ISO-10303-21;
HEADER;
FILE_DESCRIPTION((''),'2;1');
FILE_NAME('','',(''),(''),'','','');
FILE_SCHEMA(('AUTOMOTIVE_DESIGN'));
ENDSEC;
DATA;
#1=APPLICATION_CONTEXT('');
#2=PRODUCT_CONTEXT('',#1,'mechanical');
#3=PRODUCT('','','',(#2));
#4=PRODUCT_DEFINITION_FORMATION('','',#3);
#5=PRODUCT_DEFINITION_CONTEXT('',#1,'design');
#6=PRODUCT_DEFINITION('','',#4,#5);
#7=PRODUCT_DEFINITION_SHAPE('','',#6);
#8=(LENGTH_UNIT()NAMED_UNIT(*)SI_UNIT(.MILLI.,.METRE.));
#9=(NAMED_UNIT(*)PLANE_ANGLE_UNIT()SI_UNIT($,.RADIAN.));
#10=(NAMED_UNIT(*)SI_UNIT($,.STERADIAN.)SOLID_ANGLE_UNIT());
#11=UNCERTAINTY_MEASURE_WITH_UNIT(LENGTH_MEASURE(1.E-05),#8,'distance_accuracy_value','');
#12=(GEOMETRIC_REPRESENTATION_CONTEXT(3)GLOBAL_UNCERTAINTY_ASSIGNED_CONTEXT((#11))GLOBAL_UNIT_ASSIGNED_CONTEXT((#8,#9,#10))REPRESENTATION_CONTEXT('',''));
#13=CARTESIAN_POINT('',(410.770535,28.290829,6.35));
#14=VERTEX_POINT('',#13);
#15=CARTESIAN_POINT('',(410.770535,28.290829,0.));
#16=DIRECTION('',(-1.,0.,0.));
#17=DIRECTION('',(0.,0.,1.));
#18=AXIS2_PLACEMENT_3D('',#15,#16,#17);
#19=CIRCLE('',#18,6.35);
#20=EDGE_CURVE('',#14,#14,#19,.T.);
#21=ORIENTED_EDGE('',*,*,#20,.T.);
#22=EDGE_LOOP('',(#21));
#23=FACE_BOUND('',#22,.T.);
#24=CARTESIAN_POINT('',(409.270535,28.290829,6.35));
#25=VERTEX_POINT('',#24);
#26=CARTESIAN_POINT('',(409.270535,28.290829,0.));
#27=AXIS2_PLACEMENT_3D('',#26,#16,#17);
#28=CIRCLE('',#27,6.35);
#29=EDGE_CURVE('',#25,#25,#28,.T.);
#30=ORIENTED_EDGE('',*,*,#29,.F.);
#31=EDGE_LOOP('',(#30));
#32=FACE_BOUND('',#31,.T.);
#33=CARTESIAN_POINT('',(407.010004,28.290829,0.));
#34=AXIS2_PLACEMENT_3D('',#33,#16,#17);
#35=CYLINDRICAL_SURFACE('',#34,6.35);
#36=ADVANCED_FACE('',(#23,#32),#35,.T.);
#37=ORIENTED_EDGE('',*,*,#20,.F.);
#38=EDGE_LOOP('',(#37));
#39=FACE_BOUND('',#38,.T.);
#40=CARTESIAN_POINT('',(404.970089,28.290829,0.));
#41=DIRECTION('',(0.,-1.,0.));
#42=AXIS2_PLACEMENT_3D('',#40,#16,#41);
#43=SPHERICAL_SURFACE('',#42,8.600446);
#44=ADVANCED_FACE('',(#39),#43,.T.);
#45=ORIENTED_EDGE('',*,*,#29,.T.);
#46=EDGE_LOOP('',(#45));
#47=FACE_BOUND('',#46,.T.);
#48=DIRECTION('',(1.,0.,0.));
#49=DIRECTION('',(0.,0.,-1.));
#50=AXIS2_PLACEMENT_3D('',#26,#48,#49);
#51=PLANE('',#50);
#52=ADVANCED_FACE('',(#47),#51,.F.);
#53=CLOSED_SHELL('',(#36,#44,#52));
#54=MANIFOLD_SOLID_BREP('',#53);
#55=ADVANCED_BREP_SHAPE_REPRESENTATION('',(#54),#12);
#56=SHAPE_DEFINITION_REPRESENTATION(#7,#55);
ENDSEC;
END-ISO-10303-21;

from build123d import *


with BuildPart() as part:
    # 草图1 → 旋转1 (revolve)
    with BuildSketch(Plane.XY, mode=Mode.PRIVATE) as revolve_1_sk:
        with BuildLine():
            Line((409.270535231, 28.290828784), (409.270535231, 34.640828784))
            Line((409.270535231, 34.640828784), (410.770535231, 34.640828784))
            ThreePointArc((410.770535231, 34.640828784), (412.839463223, 31.760789158), (413.570535231, 28.290828784))
            Line((413.570535231, 28.290828784), (409.270535231, 28.290828784))
        make_face()
    revolve(revolve_1_sk.sketch.rotate(Axis((407.010004085, 28.290828784, 0), (1, 0, 0)), 180), axis=Axis((407.010004085, 28.290828784, 0), (1, 0, 0)))  # turned: the seam where the file's is


solid = part.part
